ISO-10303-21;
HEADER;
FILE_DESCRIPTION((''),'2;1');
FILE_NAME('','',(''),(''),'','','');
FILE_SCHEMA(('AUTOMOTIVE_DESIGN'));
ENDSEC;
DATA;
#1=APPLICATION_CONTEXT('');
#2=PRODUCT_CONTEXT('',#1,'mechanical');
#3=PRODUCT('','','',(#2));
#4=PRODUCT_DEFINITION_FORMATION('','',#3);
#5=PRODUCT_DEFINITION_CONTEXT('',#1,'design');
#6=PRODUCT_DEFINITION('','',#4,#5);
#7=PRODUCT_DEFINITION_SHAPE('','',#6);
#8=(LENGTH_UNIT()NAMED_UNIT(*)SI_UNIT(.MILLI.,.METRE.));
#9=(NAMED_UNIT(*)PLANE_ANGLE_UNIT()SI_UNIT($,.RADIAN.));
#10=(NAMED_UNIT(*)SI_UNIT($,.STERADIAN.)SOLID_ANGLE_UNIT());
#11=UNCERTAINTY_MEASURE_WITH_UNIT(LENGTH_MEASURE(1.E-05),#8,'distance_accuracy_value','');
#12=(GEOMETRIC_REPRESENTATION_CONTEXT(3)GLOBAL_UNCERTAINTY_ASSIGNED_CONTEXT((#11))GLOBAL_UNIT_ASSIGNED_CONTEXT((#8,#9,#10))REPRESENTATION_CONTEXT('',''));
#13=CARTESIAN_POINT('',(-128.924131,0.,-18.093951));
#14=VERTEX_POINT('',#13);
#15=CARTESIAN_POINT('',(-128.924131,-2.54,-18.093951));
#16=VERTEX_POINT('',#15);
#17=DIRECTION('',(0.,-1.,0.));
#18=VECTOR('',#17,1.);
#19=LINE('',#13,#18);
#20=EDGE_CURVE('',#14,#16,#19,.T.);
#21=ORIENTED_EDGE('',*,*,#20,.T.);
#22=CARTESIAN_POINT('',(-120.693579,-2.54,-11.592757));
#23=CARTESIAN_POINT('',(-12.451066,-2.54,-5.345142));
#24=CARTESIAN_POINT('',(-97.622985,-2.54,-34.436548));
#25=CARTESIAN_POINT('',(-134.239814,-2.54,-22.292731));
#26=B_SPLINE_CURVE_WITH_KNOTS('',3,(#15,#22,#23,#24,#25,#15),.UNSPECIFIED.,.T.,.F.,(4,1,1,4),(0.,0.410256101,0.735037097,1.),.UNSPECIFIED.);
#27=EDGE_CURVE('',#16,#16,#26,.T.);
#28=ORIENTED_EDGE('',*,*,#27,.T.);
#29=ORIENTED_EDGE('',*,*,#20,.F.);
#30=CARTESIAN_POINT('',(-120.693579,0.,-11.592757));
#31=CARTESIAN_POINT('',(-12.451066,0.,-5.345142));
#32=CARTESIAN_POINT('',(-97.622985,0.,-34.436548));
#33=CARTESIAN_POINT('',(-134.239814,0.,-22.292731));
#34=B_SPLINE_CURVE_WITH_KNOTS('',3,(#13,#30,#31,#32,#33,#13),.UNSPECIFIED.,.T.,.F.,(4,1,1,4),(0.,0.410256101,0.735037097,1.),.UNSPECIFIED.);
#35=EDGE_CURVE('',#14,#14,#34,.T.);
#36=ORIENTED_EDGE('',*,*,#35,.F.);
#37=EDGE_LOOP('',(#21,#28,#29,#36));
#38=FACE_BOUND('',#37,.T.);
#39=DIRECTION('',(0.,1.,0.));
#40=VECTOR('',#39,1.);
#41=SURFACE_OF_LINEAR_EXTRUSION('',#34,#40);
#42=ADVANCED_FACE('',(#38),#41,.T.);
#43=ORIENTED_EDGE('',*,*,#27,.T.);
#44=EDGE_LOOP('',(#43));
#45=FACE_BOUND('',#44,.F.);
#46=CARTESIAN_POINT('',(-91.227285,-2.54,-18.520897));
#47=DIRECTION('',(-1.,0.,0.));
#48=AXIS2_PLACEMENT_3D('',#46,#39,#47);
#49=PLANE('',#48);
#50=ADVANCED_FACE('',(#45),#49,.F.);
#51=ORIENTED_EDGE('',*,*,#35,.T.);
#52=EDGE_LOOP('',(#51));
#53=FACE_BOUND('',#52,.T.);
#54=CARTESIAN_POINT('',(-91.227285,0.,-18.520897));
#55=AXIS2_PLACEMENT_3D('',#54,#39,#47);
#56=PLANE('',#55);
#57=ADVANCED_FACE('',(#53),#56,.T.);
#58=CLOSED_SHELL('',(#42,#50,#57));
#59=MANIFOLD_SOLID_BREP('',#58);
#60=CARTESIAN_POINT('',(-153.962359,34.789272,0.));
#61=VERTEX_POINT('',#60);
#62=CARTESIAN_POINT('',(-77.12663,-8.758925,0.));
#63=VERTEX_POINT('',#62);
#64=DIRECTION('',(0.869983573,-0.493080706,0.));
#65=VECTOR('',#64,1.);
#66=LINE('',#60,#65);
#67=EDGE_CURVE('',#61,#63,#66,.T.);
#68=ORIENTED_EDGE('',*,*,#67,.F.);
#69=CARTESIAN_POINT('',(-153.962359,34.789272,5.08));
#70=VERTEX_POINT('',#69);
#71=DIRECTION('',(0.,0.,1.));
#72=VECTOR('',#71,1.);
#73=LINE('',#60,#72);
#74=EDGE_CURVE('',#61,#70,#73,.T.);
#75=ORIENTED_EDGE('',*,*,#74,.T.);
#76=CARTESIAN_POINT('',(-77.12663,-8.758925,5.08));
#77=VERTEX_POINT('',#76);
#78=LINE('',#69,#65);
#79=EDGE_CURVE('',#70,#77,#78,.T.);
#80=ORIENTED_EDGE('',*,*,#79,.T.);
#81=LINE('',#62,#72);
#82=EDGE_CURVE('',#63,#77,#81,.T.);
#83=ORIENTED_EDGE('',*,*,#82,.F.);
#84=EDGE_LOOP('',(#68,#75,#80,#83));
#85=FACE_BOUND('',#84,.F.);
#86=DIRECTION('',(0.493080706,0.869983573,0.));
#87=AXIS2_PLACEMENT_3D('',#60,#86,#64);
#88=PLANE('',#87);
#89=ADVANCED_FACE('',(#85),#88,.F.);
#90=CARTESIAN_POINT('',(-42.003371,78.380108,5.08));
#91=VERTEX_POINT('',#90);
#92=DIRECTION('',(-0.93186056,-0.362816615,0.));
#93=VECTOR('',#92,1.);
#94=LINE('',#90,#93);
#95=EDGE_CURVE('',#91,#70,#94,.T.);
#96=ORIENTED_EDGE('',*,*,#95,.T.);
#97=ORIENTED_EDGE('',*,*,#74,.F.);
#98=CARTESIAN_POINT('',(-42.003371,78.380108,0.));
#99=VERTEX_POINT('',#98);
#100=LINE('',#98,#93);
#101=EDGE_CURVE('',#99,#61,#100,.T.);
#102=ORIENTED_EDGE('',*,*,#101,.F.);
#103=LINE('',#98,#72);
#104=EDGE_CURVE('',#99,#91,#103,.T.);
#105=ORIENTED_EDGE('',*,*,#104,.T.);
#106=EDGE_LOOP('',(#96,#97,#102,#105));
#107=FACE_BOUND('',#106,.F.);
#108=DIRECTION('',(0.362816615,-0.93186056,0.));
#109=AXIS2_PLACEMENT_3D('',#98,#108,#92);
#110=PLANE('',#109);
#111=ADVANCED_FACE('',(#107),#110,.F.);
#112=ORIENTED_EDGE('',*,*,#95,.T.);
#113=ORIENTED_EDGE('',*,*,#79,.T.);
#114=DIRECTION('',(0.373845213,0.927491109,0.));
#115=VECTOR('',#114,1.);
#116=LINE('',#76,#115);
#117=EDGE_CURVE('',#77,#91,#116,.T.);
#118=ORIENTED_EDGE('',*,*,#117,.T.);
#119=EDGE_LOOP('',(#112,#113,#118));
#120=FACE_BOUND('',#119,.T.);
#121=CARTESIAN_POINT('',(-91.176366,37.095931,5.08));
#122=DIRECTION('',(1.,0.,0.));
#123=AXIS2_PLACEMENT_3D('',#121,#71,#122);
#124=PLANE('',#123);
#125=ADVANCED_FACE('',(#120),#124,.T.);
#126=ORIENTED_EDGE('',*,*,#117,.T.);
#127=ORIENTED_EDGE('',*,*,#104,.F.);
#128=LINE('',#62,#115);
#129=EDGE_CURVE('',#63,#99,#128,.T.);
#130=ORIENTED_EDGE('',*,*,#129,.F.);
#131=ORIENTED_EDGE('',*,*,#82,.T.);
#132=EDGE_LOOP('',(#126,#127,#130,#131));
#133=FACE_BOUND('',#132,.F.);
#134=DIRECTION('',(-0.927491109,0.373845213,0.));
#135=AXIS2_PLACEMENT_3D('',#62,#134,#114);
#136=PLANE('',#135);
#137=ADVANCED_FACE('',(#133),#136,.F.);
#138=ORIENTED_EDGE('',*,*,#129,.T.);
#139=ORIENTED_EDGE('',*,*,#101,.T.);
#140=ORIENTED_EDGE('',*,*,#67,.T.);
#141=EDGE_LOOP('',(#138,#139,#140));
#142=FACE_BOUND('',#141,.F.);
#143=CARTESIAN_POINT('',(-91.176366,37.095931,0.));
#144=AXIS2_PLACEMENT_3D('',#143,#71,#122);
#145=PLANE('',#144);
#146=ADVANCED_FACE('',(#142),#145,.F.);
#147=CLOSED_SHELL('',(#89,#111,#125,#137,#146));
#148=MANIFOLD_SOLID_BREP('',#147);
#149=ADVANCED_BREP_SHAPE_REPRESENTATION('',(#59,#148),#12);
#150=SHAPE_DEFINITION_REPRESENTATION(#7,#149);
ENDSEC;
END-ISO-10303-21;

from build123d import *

# Parameters (mm, degrees)
F1_DEPTH = 5.08
F3_DEPTH = 2.54


with BuildPart() as f1:
    # F0 (on Top) → F1 (new body)
    with BuildSketch(Plane.XY):
        Polygon((-42.0033708215, 78.3801078796), (-153.9623588324, 34.7892716527), (-77.1266296506, -8.7589249015), align=None)
    extrude(amount=F1_DEPTH)


with BuildPart() as f3:
    # F2 (on Front) → F3 (new body)
    with BuildSketch(Plane.XZ):
        with BuildLine():
            add(Edge.make_bspline(
                [(-128.9241313934, -18.0939510465), (-120.6935786241, -11.59275708), (-12.4510656215, -5.3451419349), (-97.6229845345, -34.4365480822), (-134.2398138389, -22.2927313241), (-128.9241313934, -18.0939510465)],
                knots=[0, 0, 0, 0, 0.410256101, 0.7350370971, 1, 1, 1, 1], degree=3))
        make_face()
    extrude(amount=F3_DEPTH)


solid = Compound([f1.part, f3.part])
